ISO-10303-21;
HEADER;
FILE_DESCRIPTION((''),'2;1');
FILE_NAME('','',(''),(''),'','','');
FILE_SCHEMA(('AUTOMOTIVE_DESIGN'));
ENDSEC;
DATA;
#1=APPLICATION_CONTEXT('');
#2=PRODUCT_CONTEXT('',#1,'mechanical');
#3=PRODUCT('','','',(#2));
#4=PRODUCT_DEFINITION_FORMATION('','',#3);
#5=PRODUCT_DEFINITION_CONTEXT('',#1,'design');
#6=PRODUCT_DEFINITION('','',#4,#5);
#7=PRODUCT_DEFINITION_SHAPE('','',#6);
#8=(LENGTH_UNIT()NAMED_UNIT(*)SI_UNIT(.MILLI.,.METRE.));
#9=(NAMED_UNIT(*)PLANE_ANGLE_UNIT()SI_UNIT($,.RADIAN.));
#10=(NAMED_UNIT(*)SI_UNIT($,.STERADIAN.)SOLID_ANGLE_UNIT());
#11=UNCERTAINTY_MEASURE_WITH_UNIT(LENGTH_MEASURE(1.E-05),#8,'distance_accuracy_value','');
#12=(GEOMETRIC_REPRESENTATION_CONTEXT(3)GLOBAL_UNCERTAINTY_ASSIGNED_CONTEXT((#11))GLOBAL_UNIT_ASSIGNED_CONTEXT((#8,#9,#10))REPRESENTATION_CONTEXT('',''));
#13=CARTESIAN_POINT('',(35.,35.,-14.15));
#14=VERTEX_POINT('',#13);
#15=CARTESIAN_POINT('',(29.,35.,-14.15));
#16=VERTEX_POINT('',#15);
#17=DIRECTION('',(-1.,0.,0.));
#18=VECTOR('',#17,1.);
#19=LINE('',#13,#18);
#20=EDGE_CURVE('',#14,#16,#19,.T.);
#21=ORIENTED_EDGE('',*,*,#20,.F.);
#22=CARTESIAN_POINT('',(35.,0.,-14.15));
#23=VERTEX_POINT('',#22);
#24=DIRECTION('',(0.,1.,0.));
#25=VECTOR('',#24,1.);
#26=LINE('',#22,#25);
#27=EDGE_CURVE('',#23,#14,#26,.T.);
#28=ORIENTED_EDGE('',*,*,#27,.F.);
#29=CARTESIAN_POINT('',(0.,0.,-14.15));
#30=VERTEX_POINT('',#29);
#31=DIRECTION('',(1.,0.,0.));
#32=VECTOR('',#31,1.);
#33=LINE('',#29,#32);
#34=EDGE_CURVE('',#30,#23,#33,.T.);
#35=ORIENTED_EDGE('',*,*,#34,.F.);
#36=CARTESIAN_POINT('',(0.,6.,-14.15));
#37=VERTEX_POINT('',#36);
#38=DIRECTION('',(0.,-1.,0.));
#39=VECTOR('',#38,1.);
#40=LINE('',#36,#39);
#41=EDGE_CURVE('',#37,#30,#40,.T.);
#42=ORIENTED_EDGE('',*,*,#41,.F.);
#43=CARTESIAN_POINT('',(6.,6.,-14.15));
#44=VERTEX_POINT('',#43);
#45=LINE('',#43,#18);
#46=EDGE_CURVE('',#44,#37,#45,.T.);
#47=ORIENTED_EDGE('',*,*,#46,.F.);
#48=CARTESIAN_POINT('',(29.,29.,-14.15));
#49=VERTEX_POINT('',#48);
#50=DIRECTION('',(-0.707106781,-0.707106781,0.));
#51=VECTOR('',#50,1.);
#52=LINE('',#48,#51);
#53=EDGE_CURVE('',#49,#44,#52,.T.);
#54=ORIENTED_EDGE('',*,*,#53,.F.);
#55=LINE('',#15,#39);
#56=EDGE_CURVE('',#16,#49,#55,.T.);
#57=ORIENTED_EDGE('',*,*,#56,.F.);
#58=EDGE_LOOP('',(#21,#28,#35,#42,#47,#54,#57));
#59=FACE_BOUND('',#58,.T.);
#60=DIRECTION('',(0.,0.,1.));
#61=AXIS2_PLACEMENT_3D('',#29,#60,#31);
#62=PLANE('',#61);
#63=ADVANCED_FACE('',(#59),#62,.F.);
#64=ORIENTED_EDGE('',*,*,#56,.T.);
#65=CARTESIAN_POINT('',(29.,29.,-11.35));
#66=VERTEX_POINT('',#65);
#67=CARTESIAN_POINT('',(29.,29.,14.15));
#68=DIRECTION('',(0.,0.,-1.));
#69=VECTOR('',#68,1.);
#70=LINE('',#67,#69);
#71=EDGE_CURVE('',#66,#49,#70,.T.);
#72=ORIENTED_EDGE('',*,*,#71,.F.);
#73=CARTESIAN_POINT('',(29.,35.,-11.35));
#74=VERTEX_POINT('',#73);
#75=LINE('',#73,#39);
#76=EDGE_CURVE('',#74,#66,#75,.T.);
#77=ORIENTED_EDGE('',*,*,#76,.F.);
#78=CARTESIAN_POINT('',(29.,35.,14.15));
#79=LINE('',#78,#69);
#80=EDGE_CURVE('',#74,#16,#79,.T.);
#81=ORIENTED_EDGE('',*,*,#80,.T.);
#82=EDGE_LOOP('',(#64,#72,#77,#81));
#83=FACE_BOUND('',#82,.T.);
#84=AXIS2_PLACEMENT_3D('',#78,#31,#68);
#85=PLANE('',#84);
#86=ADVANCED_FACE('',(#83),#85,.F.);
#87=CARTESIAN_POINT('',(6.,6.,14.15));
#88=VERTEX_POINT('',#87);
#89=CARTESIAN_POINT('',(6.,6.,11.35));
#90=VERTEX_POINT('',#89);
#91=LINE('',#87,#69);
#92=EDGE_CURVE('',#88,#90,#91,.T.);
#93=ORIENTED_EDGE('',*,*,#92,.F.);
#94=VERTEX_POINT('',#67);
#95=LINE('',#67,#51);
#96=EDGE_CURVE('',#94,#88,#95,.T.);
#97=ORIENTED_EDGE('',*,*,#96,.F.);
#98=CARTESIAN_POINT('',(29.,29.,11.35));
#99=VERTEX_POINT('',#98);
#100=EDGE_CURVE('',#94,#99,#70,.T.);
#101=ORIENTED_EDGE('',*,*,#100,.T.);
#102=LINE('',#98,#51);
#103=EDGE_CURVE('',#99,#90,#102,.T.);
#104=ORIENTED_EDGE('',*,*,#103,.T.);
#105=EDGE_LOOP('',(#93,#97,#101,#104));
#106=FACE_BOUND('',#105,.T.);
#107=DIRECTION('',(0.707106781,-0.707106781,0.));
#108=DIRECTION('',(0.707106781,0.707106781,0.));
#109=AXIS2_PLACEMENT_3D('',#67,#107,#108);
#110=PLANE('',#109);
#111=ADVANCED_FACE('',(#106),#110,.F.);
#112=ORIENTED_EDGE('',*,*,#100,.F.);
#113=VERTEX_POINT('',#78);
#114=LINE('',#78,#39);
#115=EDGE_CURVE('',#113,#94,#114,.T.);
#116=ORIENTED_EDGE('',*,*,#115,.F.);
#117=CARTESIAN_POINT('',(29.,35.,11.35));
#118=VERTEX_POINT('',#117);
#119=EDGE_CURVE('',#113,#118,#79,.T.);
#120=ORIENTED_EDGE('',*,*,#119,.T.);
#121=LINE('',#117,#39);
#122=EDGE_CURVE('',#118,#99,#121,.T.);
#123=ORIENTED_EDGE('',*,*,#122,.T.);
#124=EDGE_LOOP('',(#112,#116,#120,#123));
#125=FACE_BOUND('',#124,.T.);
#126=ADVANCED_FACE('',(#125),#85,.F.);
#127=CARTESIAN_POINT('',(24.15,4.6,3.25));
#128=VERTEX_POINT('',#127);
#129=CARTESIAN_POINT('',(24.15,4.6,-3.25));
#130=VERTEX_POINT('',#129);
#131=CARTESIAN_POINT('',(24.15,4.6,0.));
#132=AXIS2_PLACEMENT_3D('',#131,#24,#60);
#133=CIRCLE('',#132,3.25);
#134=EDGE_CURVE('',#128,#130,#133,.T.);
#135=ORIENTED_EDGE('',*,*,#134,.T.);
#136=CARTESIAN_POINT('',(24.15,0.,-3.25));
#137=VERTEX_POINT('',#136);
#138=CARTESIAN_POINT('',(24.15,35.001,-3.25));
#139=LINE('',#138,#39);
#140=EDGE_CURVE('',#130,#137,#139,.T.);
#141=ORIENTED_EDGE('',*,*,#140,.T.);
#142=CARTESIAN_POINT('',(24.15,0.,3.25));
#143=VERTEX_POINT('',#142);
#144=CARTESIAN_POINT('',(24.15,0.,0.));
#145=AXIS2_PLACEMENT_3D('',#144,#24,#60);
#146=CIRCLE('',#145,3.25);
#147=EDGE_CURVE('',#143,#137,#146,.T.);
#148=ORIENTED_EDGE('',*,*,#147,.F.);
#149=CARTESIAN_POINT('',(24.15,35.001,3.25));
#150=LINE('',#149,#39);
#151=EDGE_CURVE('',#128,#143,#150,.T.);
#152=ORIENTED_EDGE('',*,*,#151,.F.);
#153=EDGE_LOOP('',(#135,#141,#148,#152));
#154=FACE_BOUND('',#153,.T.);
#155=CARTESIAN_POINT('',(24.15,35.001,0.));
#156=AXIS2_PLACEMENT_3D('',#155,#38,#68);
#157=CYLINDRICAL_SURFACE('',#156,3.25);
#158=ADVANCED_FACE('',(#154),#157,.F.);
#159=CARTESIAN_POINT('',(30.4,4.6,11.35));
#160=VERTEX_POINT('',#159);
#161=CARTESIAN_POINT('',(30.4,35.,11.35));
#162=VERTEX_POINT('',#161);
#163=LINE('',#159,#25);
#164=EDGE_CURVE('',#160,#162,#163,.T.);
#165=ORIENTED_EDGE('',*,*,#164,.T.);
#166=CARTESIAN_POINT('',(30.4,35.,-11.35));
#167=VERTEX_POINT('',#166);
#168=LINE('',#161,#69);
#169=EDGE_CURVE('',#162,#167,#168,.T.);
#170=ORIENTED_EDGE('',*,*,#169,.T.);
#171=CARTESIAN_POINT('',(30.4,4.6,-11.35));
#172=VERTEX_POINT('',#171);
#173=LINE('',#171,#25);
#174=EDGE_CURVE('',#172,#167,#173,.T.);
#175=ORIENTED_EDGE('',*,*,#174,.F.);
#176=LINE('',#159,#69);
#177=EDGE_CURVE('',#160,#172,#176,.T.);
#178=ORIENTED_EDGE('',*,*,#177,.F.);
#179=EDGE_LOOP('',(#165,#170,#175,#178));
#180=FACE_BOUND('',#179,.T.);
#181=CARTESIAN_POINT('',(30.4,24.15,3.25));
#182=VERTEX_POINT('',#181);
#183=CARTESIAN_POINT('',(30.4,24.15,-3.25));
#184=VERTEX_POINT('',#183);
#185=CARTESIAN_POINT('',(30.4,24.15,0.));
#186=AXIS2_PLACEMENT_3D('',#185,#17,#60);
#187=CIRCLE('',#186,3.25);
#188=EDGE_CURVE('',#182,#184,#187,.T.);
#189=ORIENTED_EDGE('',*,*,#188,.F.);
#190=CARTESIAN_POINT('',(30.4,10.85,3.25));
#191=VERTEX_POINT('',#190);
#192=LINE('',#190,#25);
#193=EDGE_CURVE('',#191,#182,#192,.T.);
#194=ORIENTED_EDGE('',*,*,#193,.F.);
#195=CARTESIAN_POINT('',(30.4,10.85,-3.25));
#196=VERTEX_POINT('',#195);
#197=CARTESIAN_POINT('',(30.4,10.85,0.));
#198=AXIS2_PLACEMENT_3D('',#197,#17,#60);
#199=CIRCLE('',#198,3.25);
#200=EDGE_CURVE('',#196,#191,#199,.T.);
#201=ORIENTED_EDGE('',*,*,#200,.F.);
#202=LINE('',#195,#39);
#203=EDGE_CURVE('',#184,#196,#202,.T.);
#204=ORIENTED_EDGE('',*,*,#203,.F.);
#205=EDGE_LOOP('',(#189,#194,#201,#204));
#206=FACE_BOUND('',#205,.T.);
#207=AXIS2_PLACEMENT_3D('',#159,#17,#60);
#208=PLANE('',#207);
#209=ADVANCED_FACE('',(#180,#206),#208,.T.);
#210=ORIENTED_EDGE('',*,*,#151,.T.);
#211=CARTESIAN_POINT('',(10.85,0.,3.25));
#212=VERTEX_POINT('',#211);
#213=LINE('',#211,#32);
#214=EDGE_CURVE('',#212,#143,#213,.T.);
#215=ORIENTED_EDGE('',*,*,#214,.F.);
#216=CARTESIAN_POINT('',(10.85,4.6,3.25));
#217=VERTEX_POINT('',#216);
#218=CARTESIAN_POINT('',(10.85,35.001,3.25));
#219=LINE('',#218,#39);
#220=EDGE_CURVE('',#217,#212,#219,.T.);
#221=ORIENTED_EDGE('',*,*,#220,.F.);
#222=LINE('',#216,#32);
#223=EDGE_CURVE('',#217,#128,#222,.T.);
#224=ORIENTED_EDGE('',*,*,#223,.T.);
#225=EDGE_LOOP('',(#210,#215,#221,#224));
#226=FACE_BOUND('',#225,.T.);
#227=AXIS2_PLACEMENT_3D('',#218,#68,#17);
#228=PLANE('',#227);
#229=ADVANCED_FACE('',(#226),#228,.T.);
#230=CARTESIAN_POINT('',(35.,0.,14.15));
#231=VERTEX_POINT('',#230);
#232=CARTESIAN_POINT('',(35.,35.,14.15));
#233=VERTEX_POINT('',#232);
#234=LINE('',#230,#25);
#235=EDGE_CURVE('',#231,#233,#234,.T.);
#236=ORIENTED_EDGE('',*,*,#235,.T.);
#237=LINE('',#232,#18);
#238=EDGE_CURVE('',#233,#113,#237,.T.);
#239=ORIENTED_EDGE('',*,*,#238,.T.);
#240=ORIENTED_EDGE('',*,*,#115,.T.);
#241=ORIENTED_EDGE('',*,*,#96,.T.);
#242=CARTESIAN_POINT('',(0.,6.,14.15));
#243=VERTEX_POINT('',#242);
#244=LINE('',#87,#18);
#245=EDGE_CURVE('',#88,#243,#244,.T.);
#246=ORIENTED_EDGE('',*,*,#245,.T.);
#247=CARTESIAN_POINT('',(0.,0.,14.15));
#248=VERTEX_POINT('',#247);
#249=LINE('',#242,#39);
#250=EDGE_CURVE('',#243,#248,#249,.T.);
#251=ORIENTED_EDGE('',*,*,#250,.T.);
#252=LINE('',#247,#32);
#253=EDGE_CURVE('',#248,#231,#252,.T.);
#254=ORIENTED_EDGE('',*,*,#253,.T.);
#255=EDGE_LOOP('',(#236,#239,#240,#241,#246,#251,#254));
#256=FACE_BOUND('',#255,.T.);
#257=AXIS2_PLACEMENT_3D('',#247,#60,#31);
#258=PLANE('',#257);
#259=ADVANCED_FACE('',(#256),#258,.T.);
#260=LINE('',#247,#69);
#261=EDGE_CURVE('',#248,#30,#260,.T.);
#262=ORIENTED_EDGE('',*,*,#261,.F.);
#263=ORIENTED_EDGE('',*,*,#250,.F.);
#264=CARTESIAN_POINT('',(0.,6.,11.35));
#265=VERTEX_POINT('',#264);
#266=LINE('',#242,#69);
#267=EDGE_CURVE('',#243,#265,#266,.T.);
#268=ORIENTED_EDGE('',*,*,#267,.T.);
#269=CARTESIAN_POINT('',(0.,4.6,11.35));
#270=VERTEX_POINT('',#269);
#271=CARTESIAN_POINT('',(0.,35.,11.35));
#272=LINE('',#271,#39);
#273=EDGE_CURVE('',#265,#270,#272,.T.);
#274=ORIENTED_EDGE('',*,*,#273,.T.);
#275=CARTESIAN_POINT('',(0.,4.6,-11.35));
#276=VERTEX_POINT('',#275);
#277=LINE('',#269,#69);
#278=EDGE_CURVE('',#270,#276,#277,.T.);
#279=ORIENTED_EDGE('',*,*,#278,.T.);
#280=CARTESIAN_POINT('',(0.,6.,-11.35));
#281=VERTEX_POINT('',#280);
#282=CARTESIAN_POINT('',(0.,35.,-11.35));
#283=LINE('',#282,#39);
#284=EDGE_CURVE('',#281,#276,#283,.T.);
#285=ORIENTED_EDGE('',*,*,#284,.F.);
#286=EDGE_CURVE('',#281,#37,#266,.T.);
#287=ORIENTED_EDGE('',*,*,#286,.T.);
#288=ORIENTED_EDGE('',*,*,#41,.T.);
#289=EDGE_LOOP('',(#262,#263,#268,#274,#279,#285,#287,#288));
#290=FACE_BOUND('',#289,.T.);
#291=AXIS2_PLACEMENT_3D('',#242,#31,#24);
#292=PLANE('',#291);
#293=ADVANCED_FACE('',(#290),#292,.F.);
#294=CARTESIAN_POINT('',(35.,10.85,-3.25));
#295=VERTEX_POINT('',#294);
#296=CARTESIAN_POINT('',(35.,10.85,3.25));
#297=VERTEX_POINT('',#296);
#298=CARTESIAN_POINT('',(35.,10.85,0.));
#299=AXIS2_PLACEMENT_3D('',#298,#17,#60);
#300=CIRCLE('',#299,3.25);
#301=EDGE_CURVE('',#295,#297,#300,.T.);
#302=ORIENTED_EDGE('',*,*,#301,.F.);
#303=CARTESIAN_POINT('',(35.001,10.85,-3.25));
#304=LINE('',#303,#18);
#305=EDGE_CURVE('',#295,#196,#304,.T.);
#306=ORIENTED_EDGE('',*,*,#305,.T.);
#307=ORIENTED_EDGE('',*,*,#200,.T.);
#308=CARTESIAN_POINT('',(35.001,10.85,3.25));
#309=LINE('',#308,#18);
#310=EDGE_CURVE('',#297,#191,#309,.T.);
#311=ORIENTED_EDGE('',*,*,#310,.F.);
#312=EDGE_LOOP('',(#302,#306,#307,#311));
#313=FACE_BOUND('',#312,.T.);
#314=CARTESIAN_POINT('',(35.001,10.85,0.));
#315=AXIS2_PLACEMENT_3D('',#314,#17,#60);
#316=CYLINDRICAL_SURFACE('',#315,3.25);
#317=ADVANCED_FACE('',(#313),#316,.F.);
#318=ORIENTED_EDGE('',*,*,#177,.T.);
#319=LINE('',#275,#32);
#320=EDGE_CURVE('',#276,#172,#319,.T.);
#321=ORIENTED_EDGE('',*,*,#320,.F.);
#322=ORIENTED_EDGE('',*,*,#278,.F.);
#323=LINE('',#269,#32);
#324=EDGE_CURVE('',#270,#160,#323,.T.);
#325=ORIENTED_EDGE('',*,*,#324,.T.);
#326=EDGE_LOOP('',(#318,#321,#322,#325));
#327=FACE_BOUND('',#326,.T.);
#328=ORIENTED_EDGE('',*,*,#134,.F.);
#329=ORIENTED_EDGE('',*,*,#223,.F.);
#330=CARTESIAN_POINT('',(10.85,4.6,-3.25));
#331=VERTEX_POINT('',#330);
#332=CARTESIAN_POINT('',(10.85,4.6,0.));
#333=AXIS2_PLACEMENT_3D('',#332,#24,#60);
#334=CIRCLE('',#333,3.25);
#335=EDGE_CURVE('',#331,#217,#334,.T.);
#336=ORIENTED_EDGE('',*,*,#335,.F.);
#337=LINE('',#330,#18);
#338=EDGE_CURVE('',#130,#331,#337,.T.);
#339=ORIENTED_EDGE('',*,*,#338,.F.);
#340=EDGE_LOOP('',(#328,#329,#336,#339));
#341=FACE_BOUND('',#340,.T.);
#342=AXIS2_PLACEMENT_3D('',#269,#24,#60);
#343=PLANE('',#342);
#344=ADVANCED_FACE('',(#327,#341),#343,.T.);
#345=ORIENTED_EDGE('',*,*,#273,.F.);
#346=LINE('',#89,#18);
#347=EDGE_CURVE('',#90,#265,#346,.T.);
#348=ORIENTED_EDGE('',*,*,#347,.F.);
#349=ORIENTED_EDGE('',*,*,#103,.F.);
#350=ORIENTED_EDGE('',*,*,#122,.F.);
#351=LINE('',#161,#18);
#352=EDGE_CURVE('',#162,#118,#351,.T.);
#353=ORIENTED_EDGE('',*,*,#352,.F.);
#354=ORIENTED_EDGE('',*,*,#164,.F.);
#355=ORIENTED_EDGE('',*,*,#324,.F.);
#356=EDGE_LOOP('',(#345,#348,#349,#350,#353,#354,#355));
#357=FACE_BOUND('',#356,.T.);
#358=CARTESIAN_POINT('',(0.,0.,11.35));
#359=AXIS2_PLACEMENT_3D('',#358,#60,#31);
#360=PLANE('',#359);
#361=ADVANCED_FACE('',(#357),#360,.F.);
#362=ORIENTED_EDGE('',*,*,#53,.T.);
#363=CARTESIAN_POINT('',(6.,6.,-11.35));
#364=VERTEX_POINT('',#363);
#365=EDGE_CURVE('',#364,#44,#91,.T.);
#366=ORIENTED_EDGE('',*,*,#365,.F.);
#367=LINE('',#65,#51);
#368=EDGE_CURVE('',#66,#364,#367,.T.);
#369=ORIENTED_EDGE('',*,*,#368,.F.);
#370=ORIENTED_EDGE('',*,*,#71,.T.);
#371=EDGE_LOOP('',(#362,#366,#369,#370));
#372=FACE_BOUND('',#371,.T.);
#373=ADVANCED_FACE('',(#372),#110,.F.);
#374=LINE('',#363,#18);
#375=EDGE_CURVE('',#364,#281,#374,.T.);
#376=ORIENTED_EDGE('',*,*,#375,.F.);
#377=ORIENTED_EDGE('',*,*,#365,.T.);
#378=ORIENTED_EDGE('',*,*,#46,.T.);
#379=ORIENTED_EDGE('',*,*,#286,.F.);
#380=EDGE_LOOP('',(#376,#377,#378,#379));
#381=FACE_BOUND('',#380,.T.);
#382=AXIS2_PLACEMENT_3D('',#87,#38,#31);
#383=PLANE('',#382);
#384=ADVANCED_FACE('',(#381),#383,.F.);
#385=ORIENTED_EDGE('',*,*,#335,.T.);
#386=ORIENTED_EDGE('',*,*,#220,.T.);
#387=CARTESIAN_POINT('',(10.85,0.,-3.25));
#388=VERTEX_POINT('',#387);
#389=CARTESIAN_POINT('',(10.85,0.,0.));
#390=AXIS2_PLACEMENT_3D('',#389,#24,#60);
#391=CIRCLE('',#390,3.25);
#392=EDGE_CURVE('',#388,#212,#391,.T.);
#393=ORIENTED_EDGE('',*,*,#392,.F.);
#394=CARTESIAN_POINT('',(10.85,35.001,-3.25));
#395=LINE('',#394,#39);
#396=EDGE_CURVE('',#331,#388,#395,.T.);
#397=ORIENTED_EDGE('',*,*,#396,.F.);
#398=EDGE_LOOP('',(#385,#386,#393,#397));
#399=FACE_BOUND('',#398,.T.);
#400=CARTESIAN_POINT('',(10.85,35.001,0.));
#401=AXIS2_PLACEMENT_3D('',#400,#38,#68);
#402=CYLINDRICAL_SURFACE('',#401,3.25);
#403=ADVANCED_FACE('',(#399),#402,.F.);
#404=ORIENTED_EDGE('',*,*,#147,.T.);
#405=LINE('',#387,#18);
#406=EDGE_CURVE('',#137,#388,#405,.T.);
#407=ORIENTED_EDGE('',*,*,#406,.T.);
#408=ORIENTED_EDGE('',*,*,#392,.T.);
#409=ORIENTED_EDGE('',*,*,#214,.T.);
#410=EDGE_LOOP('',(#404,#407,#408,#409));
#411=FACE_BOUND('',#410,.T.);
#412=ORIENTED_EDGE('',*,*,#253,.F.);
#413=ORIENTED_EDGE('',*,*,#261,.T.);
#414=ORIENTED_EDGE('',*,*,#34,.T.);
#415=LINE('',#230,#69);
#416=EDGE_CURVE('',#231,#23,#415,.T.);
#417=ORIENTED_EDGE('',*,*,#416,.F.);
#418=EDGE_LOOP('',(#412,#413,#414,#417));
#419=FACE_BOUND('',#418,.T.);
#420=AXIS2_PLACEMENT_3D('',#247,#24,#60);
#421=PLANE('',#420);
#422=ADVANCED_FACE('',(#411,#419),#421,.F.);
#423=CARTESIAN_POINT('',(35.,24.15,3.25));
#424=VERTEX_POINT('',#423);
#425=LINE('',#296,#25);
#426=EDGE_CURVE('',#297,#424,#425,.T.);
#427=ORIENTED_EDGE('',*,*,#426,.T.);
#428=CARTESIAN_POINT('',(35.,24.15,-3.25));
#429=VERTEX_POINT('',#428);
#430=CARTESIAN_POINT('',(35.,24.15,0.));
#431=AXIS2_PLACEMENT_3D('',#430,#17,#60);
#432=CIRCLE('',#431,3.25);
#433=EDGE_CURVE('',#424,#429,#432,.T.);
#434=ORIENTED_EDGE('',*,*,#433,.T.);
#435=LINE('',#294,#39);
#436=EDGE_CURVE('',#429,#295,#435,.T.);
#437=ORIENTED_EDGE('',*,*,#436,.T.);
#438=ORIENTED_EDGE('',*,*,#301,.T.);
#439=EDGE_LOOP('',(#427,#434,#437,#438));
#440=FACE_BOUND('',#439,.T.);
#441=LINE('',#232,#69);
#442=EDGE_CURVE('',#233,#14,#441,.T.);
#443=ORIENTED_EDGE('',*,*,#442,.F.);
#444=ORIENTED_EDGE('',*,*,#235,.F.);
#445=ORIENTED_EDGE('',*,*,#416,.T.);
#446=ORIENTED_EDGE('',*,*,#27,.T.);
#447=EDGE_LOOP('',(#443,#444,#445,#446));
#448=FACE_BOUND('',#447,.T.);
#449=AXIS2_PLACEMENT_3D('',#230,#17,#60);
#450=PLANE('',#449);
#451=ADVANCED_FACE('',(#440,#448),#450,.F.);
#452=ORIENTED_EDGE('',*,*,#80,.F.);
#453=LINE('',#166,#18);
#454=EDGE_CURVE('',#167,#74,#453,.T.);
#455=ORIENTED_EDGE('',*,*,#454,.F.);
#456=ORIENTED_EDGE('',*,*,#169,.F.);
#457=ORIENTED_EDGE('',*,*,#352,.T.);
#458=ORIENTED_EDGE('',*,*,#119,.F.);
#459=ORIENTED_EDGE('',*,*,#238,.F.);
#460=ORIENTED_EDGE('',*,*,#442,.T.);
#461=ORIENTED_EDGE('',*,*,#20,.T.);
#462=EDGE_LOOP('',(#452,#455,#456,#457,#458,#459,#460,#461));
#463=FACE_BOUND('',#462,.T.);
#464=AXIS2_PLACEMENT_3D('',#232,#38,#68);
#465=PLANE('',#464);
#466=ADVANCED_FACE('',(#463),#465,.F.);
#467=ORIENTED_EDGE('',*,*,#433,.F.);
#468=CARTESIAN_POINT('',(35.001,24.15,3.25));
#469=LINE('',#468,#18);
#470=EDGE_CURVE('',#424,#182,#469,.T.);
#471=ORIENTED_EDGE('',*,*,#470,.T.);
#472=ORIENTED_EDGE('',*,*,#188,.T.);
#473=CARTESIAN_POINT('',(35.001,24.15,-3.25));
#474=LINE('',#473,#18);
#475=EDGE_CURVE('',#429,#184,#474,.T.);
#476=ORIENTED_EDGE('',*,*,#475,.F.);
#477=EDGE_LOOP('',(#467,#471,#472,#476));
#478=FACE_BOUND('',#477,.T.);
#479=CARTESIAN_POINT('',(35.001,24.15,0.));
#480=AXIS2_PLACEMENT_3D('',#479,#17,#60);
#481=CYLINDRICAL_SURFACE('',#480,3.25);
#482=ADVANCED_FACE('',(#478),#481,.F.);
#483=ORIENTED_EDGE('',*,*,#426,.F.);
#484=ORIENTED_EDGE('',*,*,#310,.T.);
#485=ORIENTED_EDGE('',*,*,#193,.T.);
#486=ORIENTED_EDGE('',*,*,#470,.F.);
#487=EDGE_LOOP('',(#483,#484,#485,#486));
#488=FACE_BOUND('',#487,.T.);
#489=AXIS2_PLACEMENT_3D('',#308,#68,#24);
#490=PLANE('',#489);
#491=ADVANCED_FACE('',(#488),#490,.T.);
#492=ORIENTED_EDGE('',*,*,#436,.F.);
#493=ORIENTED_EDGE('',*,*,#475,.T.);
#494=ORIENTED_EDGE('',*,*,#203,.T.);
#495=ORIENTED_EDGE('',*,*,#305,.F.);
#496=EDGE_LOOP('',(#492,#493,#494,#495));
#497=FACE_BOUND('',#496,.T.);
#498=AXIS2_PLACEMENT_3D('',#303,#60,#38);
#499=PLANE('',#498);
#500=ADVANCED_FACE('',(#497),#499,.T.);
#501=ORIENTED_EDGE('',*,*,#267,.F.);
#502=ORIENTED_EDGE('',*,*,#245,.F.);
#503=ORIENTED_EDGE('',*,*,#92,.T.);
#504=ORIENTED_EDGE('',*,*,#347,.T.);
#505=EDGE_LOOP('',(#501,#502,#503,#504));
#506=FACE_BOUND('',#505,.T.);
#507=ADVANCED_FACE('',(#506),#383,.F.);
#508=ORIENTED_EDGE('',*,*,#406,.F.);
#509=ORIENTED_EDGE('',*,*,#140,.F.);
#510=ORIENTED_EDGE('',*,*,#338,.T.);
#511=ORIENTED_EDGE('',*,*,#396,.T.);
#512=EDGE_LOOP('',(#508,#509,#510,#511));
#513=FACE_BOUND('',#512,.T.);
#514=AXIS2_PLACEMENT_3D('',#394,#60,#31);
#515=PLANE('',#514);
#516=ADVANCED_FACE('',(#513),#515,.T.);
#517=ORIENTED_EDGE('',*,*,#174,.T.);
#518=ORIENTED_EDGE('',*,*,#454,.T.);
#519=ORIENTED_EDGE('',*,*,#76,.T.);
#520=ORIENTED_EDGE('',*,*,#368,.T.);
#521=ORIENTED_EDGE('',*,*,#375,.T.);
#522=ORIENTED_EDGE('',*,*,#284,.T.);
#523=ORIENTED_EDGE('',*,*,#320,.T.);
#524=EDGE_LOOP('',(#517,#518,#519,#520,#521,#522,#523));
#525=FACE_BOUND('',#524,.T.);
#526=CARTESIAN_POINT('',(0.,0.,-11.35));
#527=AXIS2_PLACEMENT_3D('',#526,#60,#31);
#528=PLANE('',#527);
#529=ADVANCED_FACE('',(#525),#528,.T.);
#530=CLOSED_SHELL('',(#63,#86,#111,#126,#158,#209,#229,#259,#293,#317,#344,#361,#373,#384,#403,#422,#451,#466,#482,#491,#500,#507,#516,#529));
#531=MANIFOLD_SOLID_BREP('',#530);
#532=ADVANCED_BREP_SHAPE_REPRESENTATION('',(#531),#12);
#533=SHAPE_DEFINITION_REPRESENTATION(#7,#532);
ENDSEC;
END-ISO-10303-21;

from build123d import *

# Parameters (mm, degrees)
EXTRUDE_1_DEPTH     = 14.15
SKETCH_2_W          = 30.4
SKETCH_2_H          = 30.4
CUT_EXTRUDE_1_DEPTH = 11.35
CUT_EXTRUDE_2_REACH = 53.48
CUT_EXTRUDE_3_REACH = 53.48


with BuildPart() as part:
    # 草图1 → 凸台-拉伸1 (new, symmetric)
    with BuildSketch(Plane.XY):
        Polygon((0, 0), (35, 0), (35, 35), (29, 35), (29, 29), (6, 6), (0, 6), align=None)
    extrude(amount=EXTRUDE_1_DEPTH, both=True)

    # 草图2 → 切除-拉伸1 (cut, symmetric)
    with BuildSketch(Plane.XY):
        with Locations((15.2, 19.8)):
            Rectangle(SKETCH_2_W, SKETCH_2_H)
    extrude(amount=CUT_EXTRUDE_1_DEPTH, both=True, mode=Mode.SUBTRACT)

    # 草图4 → 切除-拉伸2 (cut, up to next)
    with BuildSketch(Plane(origin=(0, 0, 0), x_dir=(1, 0, 0), z_dir=(0, 1, 0)), mode=Mode.PRIVATE) as cut_extrude_2_sk1:
        with BuildLine():
            Line((10.85, 3.25), (24.15, 3.25))
            ThreePointArc((24.15, 3.25), (27.4, 0), (24.15, -3.25))
            Line((24.15, -3.25), (10.85, -3.25))
            ThreePointArc((10.85, -3.25), (7.6, 0), (10.85, 3.25))
        make_face()
    cut_extrude_2_tool1 = extrude(cut_extrude_2_sk1.sketch, amount=CUT_EXTRUDE_2_REACH, mode=Mode.PRIVATE) & part.part
    add(cut_extrude_2_tool1.solids().sort_by_distance((17.5, 0, 0))[0], mode=Mode.SUBTRACT)

    # 草图5 → 切除-拉伸3 (cut, up to next)
    with BuildSketch(Plane(origin=(0, 0, 0), x_dir=(0, 0, -1), z_dir=(1, 0, 0)), mode=Mode.PRIVATE) as cut_extrude_3_sk1:
        with BuildLine():
            Line((-3.25, 10.85), (-3.25, 24.15))
            ThreePointArc((-3.25, 24.15), (0, 27.4), (3.25, 24.15))
            Line((3.25, 24.15), (3.25, 10.85))
            ThreePointArc((3.25, 10.85), (0, 7.6), (-3.25, 10.85))
        make_face()
    cut_extrude_3_tool1 = extrude(cut_extrude_3_sk1.sketch, amount=CUT_EXTRUDE_3_REACH, mode=Mode.PRIVATE) & part.part
    add(cut_extrude_3_tool1.solids().sort_by_distance((0, 17.5, 0))[0], mode=Mode.SUBTRACT)


solid = part.part
